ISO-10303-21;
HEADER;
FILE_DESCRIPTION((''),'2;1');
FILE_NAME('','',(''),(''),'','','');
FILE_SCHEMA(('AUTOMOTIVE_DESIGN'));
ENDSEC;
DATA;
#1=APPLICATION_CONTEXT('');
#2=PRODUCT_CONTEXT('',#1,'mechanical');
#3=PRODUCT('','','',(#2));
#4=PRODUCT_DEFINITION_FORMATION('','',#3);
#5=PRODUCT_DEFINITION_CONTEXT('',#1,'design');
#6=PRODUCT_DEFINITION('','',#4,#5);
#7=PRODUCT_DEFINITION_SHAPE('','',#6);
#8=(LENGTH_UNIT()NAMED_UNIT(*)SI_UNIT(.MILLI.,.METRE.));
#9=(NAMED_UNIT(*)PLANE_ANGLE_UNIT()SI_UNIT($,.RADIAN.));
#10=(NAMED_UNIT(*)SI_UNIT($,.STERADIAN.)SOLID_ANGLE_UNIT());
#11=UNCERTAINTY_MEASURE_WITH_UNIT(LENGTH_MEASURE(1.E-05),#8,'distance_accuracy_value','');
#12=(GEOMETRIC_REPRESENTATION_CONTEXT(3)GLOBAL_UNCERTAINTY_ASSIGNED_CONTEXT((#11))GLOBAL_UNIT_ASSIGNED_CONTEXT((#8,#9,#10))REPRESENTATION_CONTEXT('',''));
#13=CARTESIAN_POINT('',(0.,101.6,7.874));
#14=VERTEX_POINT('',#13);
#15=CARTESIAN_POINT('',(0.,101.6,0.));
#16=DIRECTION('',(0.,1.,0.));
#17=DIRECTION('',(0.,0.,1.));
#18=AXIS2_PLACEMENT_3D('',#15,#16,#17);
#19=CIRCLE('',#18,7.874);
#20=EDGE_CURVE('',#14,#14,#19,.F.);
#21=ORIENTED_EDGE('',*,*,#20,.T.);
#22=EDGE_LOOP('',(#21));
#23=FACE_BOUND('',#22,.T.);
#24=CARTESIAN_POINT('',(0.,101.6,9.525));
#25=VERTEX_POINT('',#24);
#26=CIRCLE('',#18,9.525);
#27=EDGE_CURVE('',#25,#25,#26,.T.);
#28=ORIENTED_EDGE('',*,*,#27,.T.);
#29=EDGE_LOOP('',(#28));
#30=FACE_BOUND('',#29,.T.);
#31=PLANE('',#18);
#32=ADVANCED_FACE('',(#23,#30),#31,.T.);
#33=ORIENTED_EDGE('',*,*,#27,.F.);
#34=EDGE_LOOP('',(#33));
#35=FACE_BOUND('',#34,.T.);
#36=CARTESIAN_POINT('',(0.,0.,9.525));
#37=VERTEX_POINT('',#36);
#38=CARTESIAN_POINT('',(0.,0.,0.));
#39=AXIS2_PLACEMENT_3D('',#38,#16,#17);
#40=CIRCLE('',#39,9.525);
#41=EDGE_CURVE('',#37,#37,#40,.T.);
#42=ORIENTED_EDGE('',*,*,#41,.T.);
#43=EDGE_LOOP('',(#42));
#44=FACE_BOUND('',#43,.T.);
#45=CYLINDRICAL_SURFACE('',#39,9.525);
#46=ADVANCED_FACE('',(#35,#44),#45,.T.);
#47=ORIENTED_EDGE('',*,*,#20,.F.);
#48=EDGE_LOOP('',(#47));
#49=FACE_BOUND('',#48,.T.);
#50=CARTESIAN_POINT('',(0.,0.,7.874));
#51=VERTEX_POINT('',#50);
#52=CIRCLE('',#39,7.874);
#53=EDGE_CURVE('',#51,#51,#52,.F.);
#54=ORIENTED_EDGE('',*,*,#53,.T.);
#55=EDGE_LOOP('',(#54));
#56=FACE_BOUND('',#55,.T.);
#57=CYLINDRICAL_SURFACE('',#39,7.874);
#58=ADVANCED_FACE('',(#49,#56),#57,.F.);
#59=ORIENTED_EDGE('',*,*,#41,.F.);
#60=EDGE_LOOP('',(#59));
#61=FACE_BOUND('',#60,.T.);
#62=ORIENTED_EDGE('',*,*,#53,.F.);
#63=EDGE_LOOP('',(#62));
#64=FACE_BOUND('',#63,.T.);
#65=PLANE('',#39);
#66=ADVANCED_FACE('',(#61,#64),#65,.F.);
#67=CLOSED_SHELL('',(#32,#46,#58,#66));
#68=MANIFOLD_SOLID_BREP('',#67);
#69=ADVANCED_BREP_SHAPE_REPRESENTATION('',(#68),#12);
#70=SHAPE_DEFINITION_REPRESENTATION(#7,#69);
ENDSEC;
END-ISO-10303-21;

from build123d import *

# Parameters (mm, degrees)
SKETCH1_R   = 9.525
SKETCH1_R_2 = 7.874


with BuildPart() as part:
    # Sweep1: sweep along a path in Sketch2
    with BuildLine(Plane.XY) as sweep1_path:
        Line((0, 0), (0, 101.6))
    # Sketch1 → Sweep1 (sweep)
    with BuildSketch(Plane(origin=(0, 0, 0), x_dir=(1, 0, 0), z_dir=(0, 1, 0))):
        Circle(SKETCH1_R)
        Circle(SKETCH1_R_2, mode=Mode.SUBTRACT)
    sweep(path=sweep1_path.line)


solid = part.part
